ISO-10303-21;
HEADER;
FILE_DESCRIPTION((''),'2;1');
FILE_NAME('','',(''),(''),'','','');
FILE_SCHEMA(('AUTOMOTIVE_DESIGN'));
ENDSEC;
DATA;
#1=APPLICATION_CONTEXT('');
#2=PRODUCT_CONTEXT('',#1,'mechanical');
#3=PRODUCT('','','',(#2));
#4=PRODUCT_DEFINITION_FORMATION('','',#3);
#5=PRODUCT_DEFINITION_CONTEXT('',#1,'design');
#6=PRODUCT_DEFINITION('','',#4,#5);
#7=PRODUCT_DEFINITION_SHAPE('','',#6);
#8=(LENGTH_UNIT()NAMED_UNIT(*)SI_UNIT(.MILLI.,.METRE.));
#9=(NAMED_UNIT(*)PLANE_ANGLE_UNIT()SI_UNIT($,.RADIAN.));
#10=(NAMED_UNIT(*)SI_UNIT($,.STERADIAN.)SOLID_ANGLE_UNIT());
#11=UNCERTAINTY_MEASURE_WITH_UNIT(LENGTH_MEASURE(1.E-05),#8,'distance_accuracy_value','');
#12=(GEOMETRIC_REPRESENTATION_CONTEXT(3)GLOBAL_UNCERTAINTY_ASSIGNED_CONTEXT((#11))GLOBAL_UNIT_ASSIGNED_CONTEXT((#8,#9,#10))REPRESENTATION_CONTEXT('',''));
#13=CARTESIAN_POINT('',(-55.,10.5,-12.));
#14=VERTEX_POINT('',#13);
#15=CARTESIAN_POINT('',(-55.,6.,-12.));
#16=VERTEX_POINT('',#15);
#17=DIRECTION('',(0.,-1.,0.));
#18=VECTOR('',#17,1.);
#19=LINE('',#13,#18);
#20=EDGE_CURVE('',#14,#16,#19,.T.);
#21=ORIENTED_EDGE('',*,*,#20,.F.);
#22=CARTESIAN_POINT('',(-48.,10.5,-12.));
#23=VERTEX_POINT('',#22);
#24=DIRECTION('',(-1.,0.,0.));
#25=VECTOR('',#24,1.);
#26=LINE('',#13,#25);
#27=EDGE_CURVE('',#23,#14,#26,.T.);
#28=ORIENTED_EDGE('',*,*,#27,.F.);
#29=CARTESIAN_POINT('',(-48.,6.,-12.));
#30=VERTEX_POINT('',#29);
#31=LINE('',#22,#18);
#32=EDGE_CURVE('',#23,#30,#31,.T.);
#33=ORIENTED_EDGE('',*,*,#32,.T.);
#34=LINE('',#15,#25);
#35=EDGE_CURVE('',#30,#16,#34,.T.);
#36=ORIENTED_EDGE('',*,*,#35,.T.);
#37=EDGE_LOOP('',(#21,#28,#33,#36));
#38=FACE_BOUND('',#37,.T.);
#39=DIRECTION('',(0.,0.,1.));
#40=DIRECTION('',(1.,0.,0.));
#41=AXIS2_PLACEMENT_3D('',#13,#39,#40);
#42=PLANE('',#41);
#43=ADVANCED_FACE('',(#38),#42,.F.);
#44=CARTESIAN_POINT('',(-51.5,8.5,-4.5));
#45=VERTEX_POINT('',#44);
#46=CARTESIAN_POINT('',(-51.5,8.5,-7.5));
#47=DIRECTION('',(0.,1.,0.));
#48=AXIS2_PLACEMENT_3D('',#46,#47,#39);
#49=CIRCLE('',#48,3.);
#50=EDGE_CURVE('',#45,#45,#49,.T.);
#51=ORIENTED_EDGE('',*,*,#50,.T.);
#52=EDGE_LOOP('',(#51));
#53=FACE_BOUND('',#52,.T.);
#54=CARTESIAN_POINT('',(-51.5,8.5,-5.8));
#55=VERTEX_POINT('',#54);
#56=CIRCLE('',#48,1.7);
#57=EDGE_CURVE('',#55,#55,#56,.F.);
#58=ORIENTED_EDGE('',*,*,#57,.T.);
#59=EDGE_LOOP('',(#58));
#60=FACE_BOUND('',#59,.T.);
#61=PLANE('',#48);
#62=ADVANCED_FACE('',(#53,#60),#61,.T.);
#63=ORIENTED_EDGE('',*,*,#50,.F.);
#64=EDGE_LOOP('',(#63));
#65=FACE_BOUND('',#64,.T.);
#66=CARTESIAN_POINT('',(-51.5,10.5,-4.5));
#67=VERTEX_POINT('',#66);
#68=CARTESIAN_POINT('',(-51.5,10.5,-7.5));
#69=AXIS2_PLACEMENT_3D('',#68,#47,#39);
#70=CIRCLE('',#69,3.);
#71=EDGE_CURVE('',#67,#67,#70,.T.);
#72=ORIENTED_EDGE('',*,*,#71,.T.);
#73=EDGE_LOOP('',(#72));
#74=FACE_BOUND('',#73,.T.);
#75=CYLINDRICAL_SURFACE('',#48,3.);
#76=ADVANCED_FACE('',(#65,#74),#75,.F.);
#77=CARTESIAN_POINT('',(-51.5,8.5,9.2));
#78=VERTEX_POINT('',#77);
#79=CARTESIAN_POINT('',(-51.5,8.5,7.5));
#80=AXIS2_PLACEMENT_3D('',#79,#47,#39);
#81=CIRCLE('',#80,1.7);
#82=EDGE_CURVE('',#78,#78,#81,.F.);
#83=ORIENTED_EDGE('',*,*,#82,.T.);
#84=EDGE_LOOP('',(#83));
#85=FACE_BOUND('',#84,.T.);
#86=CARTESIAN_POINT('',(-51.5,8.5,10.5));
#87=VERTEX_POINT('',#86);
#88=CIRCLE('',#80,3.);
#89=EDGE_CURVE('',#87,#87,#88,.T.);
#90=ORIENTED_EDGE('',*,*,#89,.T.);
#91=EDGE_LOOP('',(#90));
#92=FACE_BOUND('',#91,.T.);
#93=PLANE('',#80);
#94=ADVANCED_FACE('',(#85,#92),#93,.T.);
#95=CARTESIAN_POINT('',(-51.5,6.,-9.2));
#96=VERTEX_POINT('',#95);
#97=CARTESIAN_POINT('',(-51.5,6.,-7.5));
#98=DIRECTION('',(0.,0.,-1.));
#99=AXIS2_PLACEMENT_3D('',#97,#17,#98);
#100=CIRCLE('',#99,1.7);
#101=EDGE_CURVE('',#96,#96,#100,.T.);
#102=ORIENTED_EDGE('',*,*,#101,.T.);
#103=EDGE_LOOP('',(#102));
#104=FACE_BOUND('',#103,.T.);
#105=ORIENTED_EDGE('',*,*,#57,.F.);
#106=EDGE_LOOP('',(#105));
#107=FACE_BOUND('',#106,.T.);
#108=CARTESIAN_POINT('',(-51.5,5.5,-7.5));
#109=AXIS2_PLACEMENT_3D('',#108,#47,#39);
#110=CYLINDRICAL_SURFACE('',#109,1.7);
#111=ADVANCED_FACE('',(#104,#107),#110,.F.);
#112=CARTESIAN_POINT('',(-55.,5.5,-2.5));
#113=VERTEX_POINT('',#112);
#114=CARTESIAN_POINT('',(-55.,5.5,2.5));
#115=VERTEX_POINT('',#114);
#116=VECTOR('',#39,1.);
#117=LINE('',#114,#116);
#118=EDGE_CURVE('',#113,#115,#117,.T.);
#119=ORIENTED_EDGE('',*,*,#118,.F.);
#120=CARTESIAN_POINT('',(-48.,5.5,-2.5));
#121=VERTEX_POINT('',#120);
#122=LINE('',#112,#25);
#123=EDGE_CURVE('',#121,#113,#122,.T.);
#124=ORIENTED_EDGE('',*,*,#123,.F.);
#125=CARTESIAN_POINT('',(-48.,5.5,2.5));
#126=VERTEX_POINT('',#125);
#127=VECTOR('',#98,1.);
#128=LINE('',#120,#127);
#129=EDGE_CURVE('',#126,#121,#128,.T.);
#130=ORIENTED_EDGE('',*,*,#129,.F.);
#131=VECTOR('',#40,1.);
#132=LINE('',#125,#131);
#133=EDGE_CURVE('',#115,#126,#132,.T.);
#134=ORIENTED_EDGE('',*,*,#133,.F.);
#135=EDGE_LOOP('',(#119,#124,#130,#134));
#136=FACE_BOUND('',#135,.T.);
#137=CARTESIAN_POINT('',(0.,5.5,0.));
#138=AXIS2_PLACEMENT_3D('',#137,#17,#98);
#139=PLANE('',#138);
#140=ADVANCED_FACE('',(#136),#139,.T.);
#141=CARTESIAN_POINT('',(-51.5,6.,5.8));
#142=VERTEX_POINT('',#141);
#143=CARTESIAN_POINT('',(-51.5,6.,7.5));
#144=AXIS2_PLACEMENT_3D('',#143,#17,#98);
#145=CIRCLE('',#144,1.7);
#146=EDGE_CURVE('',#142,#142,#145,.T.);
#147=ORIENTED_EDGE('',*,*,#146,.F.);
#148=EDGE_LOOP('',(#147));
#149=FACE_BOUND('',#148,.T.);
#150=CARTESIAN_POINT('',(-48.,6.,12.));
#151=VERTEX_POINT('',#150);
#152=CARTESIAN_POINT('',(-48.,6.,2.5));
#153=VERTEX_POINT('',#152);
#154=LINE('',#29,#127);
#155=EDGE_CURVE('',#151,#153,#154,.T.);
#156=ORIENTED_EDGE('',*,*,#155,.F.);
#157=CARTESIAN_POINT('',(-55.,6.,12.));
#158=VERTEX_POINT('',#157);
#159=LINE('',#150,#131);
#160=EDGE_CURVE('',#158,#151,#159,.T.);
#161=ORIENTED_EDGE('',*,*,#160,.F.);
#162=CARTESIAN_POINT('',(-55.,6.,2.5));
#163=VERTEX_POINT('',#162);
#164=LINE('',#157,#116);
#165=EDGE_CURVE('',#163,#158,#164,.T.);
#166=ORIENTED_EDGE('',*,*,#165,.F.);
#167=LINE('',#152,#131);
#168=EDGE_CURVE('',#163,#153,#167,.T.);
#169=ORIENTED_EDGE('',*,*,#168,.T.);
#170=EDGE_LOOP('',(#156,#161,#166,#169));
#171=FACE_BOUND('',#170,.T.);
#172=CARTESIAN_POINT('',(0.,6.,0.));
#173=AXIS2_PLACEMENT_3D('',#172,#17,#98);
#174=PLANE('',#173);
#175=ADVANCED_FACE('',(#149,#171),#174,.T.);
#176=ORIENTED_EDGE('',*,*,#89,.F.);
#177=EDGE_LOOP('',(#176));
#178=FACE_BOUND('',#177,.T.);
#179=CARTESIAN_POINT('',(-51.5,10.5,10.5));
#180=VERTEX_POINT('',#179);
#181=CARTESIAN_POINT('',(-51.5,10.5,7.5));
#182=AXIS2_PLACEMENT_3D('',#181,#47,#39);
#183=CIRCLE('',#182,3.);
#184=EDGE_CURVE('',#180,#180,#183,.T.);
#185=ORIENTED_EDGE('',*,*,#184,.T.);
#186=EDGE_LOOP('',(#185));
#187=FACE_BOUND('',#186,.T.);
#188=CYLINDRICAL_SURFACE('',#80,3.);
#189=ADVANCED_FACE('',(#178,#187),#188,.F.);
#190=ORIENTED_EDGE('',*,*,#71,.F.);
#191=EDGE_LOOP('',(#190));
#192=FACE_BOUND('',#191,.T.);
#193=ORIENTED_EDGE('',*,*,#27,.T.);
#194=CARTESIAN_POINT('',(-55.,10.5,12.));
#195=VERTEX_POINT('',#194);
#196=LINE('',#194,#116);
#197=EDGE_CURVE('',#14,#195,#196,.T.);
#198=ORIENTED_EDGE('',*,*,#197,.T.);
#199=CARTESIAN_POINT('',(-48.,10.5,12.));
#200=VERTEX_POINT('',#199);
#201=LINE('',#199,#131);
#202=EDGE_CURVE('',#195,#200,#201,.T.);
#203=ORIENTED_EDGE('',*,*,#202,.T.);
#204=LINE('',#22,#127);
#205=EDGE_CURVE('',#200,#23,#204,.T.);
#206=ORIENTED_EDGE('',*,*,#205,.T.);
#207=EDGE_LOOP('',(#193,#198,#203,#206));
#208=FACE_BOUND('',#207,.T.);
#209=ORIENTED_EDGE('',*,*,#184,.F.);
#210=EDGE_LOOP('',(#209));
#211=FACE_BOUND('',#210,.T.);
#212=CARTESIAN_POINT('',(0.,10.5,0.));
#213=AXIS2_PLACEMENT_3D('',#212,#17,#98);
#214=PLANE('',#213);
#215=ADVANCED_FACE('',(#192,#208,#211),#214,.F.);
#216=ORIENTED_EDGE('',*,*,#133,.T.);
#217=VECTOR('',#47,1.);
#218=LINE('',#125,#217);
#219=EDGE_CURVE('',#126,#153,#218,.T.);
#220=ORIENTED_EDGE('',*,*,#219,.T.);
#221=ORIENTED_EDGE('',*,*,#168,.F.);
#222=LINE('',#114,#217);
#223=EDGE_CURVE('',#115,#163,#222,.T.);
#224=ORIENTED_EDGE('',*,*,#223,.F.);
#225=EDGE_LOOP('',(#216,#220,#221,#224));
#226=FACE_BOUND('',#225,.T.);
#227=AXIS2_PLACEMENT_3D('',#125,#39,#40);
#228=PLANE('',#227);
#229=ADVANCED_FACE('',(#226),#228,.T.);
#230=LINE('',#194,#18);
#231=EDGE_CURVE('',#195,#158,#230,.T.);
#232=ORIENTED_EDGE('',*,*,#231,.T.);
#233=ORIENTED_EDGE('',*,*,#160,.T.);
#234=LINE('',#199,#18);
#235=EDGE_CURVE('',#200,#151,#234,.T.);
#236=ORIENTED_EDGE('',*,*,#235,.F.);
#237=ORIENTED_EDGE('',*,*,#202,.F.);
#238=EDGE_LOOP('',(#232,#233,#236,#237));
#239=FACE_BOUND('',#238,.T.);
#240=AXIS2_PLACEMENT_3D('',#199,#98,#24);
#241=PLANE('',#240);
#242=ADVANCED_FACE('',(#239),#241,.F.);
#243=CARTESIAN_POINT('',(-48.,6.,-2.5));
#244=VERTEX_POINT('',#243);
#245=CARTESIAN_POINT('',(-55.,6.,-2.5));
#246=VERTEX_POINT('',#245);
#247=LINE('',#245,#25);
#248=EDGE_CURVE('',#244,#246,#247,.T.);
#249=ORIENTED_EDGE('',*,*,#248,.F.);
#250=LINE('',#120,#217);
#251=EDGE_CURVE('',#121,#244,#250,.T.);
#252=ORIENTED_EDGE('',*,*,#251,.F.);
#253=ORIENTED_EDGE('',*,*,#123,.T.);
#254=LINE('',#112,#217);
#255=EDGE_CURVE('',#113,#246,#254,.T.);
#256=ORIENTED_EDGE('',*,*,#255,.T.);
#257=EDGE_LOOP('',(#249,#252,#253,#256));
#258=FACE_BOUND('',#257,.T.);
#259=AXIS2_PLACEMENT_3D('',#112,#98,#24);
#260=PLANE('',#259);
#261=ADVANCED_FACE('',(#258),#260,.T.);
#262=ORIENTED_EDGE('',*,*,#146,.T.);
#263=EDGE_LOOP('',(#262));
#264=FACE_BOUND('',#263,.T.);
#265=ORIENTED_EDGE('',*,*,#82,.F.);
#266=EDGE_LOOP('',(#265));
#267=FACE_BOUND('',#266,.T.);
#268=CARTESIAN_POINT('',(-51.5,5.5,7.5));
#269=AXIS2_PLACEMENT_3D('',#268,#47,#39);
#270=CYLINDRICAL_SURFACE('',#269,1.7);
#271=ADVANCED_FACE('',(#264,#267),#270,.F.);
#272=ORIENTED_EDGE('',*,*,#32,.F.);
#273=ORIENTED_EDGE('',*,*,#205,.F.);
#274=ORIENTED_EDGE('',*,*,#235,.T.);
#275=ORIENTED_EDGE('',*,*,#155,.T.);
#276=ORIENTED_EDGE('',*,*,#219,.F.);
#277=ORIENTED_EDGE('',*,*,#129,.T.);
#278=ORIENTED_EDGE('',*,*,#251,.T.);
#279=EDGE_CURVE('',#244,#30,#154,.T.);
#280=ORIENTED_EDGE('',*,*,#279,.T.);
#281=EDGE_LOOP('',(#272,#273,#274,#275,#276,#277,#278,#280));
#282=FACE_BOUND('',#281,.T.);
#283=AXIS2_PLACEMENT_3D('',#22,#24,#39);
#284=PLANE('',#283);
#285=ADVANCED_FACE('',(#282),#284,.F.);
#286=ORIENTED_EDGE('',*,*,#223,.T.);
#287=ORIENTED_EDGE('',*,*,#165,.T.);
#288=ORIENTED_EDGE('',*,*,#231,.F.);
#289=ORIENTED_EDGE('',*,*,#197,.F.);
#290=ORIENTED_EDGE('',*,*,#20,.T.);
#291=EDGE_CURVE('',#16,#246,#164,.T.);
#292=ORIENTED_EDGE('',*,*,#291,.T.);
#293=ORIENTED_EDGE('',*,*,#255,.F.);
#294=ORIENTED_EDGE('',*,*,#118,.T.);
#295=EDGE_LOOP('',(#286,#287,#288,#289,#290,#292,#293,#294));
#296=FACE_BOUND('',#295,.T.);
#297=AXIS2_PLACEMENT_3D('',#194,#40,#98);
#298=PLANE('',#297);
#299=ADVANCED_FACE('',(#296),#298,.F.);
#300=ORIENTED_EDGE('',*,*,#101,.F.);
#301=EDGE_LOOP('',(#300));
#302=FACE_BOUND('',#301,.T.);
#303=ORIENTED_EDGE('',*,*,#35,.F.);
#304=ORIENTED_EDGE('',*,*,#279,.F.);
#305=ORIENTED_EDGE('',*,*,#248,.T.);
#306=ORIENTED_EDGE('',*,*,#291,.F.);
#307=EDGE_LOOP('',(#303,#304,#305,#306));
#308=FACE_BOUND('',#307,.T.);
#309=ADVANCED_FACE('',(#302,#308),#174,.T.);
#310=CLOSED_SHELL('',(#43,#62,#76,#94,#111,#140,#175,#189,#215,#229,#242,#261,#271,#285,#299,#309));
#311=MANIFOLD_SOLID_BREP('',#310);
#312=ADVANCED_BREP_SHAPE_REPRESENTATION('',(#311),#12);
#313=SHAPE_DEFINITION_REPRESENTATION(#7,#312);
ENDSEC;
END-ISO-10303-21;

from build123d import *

# Parameters (mm, degrees)
SKETCH1_W           = 7
SKETCH1_H           = 24
BOSS_EXTRUDE1_DEPTH = 4.5
SKETCH2_W           = 7
SKETCH2_H           = 5
BOSS_EXTRUDE2_DEPTH = 0.5
SKETCH3_R           = 1.7
CUT_EXTRUDE1_DEPTH  = 57.515484604
SKETCH4_R           = 3
CUT_EXTRUDE2_DEPTH  = 2


with BuildPart() as part:
    # Sketch1 → Boss-Extrude1 (new body)
    with BuildSketch(Plane(origin=(0, 6, 0), x_dir=(1, 0, 0), z_dir=(0, 1, 0))):
        with Locations((-51.5, 0)):
            Rectangle(SKETCH1_W, SKETCH1_H)
    extrude(amount=BOSS_EXTRUDE1_DEPTH)

    # Sketch2 → Boss-Extrude2 (add)
    with BuildSketch(Plane(origin=(0, 6, 0), x_dir=(1, 0, 0), z_dir=(0, 1, 0))):
        with Locations((-51.5, 0)):
            Rectangle(SKETCH2_W, SKETCH2_H)
    extrude(amount=-BOSS_EXTRUDE2_DEPTH)

    # Sketch3 → Cut-Extrude1 (cut, through all)
    with BuildSketch(Plane(origin=(0, 10.5, 0), x_dir=(1, 0, 0), z_dir=(0, 1, 0))):
        with Locations(Location((-51.5, 7.5, 0), (0, 0, 270))):
            Circle(SKETCH3_R)
        with Locations(Location((-51.5, -7.5, 0), (0, 0, 270))):
            Circle(SKETCH3_R)
    extrude(amount=-CUT_EXTRUDE1_DEPTH, mode=Mode.SUBTRACT)

    # Sketch4 → Cut-Extrude2 (cut)
    with BuildSketch(Plane(origin=(0, 10.5, 0), x_dir=(1, 0, 0), z_dir=(0, 1, 0))):
        with Locations(Location((-51.5, 7.5, 0), (0, 0, 270))):
            Circle(SKETCH4_R)
        with Locations(Location((-51.5, -7.5, 0), (0, 0, 270))):
            Circle(SKETCH4_R)
    extrude(amount=-CUT_EXTRUDE2_DEPTH, mode=Mode.SUBTRACT)


solid = part.part
